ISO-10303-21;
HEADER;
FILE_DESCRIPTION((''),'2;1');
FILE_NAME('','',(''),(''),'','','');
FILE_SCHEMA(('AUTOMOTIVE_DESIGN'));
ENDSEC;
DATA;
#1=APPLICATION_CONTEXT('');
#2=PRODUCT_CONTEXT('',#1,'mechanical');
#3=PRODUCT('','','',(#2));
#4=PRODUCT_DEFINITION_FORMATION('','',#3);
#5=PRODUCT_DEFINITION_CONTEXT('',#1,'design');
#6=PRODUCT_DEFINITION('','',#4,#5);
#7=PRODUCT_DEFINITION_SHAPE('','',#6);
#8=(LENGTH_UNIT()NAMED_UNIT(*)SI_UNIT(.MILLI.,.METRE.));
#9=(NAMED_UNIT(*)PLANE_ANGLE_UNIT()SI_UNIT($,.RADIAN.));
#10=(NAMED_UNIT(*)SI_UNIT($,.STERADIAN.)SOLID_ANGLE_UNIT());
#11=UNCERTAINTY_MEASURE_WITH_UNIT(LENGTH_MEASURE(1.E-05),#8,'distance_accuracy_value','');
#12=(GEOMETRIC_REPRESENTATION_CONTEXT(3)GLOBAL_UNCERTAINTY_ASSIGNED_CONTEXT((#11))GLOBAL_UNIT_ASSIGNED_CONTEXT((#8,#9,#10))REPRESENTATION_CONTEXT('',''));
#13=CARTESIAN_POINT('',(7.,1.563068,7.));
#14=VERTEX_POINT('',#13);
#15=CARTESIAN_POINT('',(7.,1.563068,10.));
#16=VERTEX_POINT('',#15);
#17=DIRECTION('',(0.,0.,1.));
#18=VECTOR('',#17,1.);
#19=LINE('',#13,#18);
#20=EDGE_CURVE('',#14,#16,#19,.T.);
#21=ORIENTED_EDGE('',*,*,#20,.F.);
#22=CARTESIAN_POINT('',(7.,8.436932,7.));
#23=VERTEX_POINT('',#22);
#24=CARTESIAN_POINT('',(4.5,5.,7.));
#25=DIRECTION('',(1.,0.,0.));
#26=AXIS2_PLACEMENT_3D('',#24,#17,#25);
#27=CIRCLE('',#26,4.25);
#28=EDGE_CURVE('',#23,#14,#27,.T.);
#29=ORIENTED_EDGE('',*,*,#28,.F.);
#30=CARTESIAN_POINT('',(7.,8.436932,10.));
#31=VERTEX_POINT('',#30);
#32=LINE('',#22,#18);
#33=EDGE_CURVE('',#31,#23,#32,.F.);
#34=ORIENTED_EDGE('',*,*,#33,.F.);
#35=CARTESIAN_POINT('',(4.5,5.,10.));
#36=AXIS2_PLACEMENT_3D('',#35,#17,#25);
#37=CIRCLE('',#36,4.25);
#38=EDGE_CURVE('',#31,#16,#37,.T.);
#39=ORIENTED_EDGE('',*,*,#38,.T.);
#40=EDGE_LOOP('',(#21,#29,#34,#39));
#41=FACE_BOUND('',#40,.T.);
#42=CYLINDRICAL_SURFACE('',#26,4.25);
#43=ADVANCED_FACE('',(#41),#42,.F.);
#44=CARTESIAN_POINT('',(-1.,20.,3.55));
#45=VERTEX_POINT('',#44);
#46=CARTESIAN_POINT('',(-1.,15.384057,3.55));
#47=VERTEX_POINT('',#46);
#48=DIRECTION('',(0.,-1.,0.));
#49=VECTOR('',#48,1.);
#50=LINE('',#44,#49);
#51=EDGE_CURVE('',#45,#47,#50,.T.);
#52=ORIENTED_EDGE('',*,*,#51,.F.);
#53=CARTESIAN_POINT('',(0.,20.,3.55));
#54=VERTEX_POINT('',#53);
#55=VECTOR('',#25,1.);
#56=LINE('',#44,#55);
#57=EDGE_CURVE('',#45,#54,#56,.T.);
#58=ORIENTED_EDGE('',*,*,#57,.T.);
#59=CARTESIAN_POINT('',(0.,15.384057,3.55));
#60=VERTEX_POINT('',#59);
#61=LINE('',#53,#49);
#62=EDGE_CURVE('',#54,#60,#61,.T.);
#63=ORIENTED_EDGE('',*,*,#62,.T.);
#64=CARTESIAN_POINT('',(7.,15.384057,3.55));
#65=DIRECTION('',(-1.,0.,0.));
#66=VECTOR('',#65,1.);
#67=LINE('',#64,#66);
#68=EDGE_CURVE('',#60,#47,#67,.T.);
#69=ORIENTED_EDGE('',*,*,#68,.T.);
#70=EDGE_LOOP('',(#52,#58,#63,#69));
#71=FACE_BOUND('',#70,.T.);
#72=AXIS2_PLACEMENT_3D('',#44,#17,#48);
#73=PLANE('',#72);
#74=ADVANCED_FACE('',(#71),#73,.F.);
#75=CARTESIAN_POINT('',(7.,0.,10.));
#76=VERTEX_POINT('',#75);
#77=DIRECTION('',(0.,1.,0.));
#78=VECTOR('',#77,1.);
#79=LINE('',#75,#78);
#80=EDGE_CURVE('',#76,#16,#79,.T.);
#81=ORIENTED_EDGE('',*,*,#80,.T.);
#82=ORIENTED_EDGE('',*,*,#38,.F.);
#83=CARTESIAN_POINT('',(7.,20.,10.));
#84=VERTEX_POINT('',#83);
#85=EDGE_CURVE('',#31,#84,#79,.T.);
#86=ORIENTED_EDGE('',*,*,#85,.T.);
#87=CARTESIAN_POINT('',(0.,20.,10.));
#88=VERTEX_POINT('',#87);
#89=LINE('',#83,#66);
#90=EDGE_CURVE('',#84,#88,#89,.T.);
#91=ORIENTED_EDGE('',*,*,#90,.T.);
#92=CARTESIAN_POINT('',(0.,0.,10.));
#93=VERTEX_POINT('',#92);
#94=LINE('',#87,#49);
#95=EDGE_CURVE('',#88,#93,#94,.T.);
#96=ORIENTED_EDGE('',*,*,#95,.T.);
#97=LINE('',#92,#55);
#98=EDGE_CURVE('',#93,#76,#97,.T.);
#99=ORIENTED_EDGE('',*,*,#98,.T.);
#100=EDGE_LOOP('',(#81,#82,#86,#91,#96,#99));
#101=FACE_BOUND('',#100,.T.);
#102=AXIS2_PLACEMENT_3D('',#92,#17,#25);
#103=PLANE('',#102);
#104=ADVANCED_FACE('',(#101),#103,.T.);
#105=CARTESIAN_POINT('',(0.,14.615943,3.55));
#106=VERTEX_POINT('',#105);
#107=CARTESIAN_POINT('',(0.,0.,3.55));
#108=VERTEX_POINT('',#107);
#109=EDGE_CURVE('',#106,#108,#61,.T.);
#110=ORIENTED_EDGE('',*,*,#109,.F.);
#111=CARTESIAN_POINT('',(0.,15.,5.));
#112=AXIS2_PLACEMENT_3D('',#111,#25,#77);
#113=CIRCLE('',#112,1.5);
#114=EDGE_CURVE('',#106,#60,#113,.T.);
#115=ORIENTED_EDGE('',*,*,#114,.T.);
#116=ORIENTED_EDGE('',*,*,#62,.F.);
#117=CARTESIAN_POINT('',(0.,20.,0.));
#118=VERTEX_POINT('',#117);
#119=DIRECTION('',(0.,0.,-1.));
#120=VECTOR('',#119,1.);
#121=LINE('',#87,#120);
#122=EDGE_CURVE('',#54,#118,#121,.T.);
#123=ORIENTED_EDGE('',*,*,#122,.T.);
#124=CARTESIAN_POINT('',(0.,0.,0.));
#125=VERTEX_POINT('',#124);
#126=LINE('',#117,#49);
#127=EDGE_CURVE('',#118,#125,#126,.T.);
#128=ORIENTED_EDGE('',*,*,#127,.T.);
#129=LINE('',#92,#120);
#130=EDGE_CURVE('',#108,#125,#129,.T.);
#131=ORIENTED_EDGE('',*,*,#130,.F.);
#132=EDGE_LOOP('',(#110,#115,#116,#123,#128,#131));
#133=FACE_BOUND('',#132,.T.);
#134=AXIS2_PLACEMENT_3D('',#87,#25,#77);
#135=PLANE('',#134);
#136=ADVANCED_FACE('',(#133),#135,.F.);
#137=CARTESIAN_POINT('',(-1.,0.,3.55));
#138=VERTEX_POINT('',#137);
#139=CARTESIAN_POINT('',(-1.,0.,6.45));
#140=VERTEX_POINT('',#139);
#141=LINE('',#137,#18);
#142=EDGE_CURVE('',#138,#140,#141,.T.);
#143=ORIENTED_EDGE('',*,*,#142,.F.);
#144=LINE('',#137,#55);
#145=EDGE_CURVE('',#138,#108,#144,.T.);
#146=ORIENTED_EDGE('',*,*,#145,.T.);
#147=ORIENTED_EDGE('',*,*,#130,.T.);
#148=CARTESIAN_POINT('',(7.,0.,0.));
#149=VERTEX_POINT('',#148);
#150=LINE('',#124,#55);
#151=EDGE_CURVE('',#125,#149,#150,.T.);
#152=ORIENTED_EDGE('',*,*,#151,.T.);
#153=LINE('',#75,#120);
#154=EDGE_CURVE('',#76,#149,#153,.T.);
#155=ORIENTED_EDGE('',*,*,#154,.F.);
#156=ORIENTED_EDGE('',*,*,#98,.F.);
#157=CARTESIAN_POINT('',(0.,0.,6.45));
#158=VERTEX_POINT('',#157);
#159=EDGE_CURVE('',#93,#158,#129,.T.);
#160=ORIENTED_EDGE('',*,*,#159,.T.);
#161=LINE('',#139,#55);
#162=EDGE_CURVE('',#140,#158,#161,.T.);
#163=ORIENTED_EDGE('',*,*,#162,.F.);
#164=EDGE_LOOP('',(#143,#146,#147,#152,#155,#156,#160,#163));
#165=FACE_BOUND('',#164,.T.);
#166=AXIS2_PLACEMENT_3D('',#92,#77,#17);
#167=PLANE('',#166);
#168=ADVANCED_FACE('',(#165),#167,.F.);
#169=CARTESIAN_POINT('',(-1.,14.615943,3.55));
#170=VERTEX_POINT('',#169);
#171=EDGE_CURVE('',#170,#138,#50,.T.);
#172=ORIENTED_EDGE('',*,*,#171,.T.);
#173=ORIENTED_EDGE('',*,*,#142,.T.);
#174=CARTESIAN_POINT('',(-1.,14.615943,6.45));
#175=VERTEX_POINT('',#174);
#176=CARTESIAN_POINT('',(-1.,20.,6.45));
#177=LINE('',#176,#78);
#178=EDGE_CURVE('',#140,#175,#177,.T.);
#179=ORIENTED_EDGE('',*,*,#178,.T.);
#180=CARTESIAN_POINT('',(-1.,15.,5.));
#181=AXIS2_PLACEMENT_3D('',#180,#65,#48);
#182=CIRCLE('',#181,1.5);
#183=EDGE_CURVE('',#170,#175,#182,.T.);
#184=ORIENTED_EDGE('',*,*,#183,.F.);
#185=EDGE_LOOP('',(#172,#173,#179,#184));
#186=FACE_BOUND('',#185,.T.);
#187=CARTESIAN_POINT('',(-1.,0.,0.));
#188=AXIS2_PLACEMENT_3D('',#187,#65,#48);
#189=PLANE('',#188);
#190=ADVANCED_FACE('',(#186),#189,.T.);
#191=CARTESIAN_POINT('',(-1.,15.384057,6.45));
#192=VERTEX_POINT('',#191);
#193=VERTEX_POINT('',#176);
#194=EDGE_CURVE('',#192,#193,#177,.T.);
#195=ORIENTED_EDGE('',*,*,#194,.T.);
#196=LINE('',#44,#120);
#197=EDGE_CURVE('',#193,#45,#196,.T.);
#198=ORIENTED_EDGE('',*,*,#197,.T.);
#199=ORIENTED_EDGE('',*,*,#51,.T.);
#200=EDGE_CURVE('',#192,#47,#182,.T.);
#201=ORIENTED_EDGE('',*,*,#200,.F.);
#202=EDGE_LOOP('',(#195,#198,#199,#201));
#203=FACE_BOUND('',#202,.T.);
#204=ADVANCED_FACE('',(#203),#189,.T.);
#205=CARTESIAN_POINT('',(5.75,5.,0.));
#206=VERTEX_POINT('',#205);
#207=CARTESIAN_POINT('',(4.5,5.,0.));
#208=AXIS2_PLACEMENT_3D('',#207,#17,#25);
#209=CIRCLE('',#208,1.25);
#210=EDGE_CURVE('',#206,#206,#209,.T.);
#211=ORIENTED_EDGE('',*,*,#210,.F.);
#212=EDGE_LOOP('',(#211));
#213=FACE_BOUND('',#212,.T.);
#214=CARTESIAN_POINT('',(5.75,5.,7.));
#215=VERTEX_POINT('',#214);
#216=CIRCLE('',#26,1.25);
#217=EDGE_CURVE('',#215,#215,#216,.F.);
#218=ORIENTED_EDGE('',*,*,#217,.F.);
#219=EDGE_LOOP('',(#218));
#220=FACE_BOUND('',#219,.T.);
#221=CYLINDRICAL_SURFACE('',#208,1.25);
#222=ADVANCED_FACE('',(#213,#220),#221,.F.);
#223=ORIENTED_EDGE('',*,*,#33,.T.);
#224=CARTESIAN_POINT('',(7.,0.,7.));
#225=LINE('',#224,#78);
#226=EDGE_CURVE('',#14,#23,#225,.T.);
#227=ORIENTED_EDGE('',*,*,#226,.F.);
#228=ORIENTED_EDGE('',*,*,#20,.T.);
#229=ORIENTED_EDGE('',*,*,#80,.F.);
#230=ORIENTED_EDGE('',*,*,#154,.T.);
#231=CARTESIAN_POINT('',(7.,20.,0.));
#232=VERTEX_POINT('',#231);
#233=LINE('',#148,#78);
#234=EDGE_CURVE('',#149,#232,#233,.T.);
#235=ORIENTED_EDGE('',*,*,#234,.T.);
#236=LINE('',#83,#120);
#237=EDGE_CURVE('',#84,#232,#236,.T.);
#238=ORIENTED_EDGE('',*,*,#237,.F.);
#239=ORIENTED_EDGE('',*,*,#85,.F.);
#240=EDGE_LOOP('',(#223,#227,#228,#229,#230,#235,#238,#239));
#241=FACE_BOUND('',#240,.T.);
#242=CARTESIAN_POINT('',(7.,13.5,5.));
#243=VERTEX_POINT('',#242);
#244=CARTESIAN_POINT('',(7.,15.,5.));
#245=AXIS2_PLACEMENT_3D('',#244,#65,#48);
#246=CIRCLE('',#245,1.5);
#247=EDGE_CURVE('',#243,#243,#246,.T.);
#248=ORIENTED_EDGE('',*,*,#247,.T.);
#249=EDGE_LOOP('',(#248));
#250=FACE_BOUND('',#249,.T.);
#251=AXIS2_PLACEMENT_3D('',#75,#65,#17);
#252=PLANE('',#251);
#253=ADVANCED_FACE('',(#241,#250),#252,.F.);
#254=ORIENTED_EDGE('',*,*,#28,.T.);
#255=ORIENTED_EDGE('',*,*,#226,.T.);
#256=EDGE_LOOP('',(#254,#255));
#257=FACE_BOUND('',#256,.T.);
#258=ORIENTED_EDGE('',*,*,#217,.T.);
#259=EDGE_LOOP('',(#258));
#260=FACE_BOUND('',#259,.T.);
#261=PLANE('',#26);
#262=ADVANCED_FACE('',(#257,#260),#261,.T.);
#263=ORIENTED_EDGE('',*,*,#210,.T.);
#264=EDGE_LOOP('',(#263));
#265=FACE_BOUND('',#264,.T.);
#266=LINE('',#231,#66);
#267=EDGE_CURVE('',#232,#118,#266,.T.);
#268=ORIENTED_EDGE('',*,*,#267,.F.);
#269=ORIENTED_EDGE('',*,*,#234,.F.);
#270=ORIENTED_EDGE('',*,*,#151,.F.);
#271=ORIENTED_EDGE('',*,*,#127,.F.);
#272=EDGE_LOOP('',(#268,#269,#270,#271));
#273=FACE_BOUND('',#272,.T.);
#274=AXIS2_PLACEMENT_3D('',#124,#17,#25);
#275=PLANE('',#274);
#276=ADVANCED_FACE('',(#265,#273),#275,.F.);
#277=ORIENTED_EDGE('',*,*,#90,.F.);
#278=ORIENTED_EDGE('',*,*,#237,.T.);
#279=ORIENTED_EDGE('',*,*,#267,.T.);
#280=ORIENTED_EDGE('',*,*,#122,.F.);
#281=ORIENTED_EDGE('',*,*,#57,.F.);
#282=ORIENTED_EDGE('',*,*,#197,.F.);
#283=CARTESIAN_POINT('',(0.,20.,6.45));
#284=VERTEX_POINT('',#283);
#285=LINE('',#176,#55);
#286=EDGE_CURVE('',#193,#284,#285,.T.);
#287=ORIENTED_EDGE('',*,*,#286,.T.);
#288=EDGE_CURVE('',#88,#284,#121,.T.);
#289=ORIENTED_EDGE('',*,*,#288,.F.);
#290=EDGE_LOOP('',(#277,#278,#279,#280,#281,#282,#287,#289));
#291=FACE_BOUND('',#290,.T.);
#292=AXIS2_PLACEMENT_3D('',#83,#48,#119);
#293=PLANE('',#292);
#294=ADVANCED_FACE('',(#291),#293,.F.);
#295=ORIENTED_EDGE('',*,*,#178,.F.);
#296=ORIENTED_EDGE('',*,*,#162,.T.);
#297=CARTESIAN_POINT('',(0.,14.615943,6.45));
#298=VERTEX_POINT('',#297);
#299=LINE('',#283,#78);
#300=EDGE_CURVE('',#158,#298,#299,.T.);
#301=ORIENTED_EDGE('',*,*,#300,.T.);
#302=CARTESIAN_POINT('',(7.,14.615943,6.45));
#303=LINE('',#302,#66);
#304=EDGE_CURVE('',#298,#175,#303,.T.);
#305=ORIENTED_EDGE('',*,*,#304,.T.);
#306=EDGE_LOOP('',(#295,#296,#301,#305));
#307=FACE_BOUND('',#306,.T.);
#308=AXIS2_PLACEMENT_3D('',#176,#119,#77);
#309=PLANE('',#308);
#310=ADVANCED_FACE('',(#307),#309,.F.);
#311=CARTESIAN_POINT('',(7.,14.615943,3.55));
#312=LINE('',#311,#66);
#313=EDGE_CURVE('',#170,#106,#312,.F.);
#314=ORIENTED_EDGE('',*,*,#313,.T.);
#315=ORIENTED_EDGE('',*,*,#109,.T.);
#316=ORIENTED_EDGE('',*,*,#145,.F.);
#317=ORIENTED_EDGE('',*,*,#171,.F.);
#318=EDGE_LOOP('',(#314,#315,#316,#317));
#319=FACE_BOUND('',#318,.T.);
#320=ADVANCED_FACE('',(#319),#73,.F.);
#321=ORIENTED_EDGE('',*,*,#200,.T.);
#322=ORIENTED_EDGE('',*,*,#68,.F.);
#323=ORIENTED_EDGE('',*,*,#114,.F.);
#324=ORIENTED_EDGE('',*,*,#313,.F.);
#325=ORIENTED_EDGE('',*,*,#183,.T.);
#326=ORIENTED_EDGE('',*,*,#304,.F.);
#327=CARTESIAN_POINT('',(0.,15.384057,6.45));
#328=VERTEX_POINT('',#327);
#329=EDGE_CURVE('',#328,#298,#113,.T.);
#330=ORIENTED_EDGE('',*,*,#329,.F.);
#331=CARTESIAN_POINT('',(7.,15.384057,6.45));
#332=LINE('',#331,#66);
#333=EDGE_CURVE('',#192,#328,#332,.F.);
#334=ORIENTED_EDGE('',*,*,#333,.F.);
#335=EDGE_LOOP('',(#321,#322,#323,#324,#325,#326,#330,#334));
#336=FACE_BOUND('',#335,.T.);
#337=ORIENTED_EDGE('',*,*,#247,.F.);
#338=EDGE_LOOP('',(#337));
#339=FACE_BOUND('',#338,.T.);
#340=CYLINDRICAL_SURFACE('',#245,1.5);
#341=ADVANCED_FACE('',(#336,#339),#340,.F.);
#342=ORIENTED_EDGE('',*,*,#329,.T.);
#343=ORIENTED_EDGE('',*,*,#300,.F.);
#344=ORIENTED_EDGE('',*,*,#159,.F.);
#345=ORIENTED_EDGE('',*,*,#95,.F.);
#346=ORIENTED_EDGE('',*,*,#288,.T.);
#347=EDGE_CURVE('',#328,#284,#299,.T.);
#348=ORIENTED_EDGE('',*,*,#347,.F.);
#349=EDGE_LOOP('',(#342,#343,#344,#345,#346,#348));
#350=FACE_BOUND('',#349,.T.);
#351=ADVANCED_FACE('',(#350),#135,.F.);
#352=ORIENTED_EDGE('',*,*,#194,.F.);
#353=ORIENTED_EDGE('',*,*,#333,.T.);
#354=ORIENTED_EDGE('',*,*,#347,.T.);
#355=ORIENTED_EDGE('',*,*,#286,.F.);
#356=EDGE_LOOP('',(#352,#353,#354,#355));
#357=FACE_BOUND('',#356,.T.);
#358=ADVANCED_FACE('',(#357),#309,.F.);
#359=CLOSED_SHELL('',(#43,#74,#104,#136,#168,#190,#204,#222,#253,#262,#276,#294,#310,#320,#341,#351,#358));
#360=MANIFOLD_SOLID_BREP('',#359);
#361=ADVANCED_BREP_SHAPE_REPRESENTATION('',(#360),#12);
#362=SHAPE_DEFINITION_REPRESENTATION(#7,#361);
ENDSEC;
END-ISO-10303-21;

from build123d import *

# Parameters (mm, degrees)
ESQUISSE1_W                      = 7
ESQUISSE1_H                      = 20
MAIN_DEPTH                       = 10
ESQUISSE4_W                      = 2.9
ESQUISSE4_H                      = 20
MAKERBEAMFIXVERTICAL_DEPTH       = 1
ESQUISSE2_R                      = 1.5
MAKERBEAMVERTICALHOLE_DEPTH      = 2
MAKERBEAMVERTICALHOLE_DEPTH_BACK = 8
SKETCH1_R                        = 1.25
CUT_EXTRUDE1_DEPTH               = 11
SKETCH2_R                        = 4.25
CUT_EXTRUDE2_DEPTH               = 3


with BuildPart() as part:
    # Esquisse1 → Main (new body)
    with BuildSketch(Plane.XY):
        with Locations((3.5, 10)):
            Rectangle(ESQUISSE1_W, ESQUISSE1_H)
    extrude(amount=MAIN_DEPTH)

    # Esquisse4 → MakerBeamFixVertical (add)
    with BuildSketch(Plane.ZY):
        with Locations((5, 10)):
            Rectangle(ESQUISSE4_W, ESQUISSE4_H)
    extrude(amount=MAKERBEAMFIXVERTICAL_DEPTH)

    # Esquisse2 → MakerBeamVerticalHole (cut, two sides)
    with BuildSketch(Plane.ZY) as makerbeamverticalhole_sk:
        with Locations((5, 15)):
            Circle(ESQUISSE2_R)
    extrude(amount=MAKERBEAMVERTICALHOLE_DEPTH, mode=Mode.SUBTRACT)
    extrude(makerbeamverticalhole_sk.sketch, amount=-MAKERBEAMVERTICALHOLE_DEPTH_BACK, mode=Mode.SUBTRACT)

    # Sketch1 → Cut-Extrude1 (cut, through all)
    with BuildSketch(Plane.XY.offset(10)):
        with Locations((4.5, 5)):
            Circle(SKETCH1_R)
    extrude(amount=-CUT_EXTRUDE1_DEPTH, mode=Mode.SUBTRACT)

    # Sketch2 → Cut-Extrude2 (cut)
    with BuildSketch(Plane.XY.offset(10)):
        with Locations((4.5, 5)):
            Circle(SKETCH2_R)
    extrude(amount=-CUT_EXTRUDE2_DEPTH, mode=Mode.SUBTRACT)


solid = part.part
